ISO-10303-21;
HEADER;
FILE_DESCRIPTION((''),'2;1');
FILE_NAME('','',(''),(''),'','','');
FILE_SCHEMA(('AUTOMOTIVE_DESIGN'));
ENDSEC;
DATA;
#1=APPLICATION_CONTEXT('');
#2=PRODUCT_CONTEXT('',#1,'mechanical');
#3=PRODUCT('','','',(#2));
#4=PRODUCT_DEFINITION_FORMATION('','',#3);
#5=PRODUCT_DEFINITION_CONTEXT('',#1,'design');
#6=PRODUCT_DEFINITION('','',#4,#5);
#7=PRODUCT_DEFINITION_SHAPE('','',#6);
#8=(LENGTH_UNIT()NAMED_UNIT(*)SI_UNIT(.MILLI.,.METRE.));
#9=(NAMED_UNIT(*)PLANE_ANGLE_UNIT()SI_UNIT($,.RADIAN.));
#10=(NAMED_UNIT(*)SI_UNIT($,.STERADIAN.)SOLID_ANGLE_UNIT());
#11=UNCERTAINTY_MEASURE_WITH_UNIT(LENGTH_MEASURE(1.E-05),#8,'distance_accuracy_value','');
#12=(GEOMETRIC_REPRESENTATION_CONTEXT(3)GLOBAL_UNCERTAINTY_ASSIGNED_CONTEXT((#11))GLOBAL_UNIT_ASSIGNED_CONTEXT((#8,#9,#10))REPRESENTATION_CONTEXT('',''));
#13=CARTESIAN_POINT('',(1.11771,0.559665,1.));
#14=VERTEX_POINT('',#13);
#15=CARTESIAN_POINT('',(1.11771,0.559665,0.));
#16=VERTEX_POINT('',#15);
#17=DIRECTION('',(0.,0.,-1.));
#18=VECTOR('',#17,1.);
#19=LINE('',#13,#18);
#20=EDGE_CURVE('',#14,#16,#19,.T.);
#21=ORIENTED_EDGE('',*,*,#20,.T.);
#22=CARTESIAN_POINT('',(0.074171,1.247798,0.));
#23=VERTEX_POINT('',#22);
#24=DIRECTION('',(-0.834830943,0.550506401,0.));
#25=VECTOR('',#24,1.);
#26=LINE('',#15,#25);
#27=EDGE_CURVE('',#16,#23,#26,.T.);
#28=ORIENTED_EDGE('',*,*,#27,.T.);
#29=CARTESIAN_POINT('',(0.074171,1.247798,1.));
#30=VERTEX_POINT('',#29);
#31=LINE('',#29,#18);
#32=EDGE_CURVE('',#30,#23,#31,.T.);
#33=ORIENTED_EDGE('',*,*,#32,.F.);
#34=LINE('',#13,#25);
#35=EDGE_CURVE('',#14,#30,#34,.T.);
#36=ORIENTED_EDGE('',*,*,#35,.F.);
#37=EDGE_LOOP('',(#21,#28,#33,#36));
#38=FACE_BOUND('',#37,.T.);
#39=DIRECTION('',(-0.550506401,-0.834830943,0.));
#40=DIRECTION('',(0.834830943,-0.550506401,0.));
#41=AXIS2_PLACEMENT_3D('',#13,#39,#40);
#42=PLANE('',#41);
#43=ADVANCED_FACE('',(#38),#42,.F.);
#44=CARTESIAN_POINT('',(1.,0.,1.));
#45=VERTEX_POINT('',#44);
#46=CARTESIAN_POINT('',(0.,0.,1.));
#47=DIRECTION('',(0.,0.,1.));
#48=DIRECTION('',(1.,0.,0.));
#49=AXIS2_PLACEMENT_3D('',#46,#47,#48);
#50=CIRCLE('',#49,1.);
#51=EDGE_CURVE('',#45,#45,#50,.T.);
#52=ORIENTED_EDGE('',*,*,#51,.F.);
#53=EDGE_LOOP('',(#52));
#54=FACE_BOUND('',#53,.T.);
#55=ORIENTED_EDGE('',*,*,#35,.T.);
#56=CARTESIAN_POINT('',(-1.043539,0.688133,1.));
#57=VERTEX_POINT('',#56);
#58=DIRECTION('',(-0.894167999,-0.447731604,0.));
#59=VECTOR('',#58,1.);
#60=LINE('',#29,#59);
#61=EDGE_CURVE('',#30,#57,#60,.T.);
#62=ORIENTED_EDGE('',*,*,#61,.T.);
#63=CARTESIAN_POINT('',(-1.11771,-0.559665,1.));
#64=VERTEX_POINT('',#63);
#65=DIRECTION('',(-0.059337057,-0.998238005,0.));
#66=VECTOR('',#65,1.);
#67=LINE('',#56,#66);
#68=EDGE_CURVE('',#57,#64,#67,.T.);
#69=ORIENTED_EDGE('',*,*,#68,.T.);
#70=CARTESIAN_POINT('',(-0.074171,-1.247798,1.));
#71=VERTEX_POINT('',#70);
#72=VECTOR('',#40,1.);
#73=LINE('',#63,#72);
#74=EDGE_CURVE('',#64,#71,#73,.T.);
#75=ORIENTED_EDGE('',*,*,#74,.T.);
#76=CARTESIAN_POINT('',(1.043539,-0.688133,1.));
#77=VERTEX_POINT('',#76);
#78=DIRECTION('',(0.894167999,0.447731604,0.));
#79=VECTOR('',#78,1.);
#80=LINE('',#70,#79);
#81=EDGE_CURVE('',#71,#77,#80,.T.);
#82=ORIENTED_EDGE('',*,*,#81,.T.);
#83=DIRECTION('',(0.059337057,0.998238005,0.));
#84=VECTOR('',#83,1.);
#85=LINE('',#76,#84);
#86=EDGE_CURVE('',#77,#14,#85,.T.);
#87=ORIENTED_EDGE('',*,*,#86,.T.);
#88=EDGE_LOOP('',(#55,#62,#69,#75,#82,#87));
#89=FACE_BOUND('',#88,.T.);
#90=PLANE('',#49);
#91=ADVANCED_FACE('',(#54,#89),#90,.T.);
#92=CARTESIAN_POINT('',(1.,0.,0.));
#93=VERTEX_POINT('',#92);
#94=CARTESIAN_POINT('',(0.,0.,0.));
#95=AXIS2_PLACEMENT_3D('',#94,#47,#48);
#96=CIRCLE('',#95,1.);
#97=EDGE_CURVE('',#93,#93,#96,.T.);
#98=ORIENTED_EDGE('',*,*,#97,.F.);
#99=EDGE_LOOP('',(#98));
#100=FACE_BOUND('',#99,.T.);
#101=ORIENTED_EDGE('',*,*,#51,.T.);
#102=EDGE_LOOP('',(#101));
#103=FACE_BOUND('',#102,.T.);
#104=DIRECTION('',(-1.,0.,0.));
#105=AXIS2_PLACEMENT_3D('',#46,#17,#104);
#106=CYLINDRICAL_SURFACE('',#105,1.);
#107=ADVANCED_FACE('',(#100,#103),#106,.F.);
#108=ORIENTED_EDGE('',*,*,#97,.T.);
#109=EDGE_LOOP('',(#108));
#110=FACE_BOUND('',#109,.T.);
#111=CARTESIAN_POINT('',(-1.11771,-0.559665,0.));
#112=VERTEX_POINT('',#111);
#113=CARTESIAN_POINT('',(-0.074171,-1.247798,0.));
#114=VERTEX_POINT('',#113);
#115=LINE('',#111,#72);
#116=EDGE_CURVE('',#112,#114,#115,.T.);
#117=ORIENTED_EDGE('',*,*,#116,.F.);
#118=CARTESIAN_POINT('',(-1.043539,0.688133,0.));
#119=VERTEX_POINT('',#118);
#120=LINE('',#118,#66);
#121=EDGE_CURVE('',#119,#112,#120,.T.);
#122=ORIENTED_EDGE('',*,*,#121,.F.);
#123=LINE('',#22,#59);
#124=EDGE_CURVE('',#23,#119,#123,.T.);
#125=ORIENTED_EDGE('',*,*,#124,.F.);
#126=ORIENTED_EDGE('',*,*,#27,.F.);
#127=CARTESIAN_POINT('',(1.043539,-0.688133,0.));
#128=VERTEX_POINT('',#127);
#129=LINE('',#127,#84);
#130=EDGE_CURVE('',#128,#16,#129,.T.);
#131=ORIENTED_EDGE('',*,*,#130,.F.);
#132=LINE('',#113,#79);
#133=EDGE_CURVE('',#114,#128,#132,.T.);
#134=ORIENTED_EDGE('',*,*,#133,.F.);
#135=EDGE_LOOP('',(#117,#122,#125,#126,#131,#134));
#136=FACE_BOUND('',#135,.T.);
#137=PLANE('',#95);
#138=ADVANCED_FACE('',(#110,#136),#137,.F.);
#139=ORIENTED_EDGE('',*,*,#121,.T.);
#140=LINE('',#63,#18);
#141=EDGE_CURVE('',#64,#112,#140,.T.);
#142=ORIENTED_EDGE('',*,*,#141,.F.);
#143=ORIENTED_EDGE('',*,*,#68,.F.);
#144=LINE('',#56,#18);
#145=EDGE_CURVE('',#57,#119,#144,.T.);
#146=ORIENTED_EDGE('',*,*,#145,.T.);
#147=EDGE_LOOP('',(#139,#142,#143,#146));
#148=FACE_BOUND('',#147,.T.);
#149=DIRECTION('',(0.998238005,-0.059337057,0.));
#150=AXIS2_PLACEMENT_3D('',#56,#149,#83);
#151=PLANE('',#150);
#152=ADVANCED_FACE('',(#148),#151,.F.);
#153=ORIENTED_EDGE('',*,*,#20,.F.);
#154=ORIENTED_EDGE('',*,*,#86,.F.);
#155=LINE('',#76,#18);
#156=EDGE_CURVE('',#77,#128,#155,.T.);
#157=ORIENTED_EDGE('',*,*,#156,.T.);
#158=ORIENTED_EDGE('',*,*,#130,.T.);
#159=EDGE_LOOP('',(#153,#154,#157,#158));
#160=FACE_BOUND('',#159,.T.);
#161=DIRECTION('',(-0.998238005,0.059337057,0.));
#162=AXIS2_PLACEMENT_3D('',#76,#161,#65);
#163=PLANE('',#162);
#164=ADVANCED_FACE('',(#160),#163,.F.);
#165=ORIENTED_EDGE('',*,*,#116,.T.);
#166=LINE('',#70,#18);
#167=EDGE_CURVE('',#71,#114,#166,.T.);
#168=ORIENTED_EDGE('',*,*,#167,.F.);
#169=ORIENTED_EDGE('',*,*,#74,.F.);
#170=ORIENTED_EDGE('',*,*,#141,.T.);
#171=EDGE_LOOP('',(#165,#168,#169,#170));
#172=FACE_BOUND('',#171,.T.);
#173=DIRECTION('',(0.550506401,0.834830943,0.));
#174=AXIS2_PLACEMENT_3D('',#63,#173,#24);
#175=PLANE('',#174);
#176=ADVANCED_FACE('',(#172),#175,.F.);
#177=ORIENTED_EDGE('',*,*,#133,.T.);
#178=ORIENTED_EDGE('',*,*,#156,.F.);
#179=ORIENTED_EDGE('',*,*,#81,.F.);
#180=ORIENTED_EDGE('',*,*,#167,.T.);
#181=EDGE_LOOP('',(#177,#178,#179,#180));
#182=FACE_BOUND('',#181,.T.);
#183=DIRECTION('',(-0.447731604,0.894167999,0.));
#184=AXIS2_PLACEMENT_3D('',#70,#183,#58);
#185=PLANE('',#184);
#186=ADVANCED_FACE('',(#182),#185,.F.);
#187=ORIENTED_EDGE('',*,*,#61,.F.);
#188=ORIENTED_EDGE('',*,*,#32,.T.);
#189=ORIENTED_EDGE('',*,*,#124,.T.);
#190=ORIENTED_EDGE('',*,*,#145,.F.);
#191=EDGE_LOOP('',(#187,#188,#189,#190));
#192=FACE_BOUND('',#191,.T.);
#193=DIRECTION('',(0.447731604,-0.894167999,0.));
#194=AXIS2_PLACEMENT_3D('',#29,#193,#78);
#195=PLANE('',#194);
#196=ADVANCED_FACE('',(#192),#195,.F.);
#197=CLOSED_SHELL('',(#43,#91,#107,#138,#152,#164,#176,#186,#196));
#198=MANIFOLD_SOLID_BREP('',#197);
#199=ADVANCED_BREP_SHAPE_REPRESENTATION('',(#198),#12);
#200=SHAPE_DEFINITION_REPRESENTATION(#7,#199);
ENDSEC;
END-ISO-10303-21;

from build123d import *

# Parameters (mm, degrees)
SKETCH1_R           = 1
BOSS_EXTRUDE1_DEPTH = 1


with BuildPart() as part:
    # Sketch1 → Boss-Extrude1 (new body)
    with BuildSketch(Plane.XY):
        Polygon((0.074171321, 1.247797506), (-1.043538678, 0.688133001), (-1.117709999, -0.559664505), (-0.074171321, -1.247797506), (1.043538678, -0.688133001), (1.117709999, 0.559664505), align=None)
        Circle(SKETCH1_R, mode=Mode.SUBTRACT)
    extrude(amount=BOSS_EXTRUDE1_DEPTH)


solid = part.part
